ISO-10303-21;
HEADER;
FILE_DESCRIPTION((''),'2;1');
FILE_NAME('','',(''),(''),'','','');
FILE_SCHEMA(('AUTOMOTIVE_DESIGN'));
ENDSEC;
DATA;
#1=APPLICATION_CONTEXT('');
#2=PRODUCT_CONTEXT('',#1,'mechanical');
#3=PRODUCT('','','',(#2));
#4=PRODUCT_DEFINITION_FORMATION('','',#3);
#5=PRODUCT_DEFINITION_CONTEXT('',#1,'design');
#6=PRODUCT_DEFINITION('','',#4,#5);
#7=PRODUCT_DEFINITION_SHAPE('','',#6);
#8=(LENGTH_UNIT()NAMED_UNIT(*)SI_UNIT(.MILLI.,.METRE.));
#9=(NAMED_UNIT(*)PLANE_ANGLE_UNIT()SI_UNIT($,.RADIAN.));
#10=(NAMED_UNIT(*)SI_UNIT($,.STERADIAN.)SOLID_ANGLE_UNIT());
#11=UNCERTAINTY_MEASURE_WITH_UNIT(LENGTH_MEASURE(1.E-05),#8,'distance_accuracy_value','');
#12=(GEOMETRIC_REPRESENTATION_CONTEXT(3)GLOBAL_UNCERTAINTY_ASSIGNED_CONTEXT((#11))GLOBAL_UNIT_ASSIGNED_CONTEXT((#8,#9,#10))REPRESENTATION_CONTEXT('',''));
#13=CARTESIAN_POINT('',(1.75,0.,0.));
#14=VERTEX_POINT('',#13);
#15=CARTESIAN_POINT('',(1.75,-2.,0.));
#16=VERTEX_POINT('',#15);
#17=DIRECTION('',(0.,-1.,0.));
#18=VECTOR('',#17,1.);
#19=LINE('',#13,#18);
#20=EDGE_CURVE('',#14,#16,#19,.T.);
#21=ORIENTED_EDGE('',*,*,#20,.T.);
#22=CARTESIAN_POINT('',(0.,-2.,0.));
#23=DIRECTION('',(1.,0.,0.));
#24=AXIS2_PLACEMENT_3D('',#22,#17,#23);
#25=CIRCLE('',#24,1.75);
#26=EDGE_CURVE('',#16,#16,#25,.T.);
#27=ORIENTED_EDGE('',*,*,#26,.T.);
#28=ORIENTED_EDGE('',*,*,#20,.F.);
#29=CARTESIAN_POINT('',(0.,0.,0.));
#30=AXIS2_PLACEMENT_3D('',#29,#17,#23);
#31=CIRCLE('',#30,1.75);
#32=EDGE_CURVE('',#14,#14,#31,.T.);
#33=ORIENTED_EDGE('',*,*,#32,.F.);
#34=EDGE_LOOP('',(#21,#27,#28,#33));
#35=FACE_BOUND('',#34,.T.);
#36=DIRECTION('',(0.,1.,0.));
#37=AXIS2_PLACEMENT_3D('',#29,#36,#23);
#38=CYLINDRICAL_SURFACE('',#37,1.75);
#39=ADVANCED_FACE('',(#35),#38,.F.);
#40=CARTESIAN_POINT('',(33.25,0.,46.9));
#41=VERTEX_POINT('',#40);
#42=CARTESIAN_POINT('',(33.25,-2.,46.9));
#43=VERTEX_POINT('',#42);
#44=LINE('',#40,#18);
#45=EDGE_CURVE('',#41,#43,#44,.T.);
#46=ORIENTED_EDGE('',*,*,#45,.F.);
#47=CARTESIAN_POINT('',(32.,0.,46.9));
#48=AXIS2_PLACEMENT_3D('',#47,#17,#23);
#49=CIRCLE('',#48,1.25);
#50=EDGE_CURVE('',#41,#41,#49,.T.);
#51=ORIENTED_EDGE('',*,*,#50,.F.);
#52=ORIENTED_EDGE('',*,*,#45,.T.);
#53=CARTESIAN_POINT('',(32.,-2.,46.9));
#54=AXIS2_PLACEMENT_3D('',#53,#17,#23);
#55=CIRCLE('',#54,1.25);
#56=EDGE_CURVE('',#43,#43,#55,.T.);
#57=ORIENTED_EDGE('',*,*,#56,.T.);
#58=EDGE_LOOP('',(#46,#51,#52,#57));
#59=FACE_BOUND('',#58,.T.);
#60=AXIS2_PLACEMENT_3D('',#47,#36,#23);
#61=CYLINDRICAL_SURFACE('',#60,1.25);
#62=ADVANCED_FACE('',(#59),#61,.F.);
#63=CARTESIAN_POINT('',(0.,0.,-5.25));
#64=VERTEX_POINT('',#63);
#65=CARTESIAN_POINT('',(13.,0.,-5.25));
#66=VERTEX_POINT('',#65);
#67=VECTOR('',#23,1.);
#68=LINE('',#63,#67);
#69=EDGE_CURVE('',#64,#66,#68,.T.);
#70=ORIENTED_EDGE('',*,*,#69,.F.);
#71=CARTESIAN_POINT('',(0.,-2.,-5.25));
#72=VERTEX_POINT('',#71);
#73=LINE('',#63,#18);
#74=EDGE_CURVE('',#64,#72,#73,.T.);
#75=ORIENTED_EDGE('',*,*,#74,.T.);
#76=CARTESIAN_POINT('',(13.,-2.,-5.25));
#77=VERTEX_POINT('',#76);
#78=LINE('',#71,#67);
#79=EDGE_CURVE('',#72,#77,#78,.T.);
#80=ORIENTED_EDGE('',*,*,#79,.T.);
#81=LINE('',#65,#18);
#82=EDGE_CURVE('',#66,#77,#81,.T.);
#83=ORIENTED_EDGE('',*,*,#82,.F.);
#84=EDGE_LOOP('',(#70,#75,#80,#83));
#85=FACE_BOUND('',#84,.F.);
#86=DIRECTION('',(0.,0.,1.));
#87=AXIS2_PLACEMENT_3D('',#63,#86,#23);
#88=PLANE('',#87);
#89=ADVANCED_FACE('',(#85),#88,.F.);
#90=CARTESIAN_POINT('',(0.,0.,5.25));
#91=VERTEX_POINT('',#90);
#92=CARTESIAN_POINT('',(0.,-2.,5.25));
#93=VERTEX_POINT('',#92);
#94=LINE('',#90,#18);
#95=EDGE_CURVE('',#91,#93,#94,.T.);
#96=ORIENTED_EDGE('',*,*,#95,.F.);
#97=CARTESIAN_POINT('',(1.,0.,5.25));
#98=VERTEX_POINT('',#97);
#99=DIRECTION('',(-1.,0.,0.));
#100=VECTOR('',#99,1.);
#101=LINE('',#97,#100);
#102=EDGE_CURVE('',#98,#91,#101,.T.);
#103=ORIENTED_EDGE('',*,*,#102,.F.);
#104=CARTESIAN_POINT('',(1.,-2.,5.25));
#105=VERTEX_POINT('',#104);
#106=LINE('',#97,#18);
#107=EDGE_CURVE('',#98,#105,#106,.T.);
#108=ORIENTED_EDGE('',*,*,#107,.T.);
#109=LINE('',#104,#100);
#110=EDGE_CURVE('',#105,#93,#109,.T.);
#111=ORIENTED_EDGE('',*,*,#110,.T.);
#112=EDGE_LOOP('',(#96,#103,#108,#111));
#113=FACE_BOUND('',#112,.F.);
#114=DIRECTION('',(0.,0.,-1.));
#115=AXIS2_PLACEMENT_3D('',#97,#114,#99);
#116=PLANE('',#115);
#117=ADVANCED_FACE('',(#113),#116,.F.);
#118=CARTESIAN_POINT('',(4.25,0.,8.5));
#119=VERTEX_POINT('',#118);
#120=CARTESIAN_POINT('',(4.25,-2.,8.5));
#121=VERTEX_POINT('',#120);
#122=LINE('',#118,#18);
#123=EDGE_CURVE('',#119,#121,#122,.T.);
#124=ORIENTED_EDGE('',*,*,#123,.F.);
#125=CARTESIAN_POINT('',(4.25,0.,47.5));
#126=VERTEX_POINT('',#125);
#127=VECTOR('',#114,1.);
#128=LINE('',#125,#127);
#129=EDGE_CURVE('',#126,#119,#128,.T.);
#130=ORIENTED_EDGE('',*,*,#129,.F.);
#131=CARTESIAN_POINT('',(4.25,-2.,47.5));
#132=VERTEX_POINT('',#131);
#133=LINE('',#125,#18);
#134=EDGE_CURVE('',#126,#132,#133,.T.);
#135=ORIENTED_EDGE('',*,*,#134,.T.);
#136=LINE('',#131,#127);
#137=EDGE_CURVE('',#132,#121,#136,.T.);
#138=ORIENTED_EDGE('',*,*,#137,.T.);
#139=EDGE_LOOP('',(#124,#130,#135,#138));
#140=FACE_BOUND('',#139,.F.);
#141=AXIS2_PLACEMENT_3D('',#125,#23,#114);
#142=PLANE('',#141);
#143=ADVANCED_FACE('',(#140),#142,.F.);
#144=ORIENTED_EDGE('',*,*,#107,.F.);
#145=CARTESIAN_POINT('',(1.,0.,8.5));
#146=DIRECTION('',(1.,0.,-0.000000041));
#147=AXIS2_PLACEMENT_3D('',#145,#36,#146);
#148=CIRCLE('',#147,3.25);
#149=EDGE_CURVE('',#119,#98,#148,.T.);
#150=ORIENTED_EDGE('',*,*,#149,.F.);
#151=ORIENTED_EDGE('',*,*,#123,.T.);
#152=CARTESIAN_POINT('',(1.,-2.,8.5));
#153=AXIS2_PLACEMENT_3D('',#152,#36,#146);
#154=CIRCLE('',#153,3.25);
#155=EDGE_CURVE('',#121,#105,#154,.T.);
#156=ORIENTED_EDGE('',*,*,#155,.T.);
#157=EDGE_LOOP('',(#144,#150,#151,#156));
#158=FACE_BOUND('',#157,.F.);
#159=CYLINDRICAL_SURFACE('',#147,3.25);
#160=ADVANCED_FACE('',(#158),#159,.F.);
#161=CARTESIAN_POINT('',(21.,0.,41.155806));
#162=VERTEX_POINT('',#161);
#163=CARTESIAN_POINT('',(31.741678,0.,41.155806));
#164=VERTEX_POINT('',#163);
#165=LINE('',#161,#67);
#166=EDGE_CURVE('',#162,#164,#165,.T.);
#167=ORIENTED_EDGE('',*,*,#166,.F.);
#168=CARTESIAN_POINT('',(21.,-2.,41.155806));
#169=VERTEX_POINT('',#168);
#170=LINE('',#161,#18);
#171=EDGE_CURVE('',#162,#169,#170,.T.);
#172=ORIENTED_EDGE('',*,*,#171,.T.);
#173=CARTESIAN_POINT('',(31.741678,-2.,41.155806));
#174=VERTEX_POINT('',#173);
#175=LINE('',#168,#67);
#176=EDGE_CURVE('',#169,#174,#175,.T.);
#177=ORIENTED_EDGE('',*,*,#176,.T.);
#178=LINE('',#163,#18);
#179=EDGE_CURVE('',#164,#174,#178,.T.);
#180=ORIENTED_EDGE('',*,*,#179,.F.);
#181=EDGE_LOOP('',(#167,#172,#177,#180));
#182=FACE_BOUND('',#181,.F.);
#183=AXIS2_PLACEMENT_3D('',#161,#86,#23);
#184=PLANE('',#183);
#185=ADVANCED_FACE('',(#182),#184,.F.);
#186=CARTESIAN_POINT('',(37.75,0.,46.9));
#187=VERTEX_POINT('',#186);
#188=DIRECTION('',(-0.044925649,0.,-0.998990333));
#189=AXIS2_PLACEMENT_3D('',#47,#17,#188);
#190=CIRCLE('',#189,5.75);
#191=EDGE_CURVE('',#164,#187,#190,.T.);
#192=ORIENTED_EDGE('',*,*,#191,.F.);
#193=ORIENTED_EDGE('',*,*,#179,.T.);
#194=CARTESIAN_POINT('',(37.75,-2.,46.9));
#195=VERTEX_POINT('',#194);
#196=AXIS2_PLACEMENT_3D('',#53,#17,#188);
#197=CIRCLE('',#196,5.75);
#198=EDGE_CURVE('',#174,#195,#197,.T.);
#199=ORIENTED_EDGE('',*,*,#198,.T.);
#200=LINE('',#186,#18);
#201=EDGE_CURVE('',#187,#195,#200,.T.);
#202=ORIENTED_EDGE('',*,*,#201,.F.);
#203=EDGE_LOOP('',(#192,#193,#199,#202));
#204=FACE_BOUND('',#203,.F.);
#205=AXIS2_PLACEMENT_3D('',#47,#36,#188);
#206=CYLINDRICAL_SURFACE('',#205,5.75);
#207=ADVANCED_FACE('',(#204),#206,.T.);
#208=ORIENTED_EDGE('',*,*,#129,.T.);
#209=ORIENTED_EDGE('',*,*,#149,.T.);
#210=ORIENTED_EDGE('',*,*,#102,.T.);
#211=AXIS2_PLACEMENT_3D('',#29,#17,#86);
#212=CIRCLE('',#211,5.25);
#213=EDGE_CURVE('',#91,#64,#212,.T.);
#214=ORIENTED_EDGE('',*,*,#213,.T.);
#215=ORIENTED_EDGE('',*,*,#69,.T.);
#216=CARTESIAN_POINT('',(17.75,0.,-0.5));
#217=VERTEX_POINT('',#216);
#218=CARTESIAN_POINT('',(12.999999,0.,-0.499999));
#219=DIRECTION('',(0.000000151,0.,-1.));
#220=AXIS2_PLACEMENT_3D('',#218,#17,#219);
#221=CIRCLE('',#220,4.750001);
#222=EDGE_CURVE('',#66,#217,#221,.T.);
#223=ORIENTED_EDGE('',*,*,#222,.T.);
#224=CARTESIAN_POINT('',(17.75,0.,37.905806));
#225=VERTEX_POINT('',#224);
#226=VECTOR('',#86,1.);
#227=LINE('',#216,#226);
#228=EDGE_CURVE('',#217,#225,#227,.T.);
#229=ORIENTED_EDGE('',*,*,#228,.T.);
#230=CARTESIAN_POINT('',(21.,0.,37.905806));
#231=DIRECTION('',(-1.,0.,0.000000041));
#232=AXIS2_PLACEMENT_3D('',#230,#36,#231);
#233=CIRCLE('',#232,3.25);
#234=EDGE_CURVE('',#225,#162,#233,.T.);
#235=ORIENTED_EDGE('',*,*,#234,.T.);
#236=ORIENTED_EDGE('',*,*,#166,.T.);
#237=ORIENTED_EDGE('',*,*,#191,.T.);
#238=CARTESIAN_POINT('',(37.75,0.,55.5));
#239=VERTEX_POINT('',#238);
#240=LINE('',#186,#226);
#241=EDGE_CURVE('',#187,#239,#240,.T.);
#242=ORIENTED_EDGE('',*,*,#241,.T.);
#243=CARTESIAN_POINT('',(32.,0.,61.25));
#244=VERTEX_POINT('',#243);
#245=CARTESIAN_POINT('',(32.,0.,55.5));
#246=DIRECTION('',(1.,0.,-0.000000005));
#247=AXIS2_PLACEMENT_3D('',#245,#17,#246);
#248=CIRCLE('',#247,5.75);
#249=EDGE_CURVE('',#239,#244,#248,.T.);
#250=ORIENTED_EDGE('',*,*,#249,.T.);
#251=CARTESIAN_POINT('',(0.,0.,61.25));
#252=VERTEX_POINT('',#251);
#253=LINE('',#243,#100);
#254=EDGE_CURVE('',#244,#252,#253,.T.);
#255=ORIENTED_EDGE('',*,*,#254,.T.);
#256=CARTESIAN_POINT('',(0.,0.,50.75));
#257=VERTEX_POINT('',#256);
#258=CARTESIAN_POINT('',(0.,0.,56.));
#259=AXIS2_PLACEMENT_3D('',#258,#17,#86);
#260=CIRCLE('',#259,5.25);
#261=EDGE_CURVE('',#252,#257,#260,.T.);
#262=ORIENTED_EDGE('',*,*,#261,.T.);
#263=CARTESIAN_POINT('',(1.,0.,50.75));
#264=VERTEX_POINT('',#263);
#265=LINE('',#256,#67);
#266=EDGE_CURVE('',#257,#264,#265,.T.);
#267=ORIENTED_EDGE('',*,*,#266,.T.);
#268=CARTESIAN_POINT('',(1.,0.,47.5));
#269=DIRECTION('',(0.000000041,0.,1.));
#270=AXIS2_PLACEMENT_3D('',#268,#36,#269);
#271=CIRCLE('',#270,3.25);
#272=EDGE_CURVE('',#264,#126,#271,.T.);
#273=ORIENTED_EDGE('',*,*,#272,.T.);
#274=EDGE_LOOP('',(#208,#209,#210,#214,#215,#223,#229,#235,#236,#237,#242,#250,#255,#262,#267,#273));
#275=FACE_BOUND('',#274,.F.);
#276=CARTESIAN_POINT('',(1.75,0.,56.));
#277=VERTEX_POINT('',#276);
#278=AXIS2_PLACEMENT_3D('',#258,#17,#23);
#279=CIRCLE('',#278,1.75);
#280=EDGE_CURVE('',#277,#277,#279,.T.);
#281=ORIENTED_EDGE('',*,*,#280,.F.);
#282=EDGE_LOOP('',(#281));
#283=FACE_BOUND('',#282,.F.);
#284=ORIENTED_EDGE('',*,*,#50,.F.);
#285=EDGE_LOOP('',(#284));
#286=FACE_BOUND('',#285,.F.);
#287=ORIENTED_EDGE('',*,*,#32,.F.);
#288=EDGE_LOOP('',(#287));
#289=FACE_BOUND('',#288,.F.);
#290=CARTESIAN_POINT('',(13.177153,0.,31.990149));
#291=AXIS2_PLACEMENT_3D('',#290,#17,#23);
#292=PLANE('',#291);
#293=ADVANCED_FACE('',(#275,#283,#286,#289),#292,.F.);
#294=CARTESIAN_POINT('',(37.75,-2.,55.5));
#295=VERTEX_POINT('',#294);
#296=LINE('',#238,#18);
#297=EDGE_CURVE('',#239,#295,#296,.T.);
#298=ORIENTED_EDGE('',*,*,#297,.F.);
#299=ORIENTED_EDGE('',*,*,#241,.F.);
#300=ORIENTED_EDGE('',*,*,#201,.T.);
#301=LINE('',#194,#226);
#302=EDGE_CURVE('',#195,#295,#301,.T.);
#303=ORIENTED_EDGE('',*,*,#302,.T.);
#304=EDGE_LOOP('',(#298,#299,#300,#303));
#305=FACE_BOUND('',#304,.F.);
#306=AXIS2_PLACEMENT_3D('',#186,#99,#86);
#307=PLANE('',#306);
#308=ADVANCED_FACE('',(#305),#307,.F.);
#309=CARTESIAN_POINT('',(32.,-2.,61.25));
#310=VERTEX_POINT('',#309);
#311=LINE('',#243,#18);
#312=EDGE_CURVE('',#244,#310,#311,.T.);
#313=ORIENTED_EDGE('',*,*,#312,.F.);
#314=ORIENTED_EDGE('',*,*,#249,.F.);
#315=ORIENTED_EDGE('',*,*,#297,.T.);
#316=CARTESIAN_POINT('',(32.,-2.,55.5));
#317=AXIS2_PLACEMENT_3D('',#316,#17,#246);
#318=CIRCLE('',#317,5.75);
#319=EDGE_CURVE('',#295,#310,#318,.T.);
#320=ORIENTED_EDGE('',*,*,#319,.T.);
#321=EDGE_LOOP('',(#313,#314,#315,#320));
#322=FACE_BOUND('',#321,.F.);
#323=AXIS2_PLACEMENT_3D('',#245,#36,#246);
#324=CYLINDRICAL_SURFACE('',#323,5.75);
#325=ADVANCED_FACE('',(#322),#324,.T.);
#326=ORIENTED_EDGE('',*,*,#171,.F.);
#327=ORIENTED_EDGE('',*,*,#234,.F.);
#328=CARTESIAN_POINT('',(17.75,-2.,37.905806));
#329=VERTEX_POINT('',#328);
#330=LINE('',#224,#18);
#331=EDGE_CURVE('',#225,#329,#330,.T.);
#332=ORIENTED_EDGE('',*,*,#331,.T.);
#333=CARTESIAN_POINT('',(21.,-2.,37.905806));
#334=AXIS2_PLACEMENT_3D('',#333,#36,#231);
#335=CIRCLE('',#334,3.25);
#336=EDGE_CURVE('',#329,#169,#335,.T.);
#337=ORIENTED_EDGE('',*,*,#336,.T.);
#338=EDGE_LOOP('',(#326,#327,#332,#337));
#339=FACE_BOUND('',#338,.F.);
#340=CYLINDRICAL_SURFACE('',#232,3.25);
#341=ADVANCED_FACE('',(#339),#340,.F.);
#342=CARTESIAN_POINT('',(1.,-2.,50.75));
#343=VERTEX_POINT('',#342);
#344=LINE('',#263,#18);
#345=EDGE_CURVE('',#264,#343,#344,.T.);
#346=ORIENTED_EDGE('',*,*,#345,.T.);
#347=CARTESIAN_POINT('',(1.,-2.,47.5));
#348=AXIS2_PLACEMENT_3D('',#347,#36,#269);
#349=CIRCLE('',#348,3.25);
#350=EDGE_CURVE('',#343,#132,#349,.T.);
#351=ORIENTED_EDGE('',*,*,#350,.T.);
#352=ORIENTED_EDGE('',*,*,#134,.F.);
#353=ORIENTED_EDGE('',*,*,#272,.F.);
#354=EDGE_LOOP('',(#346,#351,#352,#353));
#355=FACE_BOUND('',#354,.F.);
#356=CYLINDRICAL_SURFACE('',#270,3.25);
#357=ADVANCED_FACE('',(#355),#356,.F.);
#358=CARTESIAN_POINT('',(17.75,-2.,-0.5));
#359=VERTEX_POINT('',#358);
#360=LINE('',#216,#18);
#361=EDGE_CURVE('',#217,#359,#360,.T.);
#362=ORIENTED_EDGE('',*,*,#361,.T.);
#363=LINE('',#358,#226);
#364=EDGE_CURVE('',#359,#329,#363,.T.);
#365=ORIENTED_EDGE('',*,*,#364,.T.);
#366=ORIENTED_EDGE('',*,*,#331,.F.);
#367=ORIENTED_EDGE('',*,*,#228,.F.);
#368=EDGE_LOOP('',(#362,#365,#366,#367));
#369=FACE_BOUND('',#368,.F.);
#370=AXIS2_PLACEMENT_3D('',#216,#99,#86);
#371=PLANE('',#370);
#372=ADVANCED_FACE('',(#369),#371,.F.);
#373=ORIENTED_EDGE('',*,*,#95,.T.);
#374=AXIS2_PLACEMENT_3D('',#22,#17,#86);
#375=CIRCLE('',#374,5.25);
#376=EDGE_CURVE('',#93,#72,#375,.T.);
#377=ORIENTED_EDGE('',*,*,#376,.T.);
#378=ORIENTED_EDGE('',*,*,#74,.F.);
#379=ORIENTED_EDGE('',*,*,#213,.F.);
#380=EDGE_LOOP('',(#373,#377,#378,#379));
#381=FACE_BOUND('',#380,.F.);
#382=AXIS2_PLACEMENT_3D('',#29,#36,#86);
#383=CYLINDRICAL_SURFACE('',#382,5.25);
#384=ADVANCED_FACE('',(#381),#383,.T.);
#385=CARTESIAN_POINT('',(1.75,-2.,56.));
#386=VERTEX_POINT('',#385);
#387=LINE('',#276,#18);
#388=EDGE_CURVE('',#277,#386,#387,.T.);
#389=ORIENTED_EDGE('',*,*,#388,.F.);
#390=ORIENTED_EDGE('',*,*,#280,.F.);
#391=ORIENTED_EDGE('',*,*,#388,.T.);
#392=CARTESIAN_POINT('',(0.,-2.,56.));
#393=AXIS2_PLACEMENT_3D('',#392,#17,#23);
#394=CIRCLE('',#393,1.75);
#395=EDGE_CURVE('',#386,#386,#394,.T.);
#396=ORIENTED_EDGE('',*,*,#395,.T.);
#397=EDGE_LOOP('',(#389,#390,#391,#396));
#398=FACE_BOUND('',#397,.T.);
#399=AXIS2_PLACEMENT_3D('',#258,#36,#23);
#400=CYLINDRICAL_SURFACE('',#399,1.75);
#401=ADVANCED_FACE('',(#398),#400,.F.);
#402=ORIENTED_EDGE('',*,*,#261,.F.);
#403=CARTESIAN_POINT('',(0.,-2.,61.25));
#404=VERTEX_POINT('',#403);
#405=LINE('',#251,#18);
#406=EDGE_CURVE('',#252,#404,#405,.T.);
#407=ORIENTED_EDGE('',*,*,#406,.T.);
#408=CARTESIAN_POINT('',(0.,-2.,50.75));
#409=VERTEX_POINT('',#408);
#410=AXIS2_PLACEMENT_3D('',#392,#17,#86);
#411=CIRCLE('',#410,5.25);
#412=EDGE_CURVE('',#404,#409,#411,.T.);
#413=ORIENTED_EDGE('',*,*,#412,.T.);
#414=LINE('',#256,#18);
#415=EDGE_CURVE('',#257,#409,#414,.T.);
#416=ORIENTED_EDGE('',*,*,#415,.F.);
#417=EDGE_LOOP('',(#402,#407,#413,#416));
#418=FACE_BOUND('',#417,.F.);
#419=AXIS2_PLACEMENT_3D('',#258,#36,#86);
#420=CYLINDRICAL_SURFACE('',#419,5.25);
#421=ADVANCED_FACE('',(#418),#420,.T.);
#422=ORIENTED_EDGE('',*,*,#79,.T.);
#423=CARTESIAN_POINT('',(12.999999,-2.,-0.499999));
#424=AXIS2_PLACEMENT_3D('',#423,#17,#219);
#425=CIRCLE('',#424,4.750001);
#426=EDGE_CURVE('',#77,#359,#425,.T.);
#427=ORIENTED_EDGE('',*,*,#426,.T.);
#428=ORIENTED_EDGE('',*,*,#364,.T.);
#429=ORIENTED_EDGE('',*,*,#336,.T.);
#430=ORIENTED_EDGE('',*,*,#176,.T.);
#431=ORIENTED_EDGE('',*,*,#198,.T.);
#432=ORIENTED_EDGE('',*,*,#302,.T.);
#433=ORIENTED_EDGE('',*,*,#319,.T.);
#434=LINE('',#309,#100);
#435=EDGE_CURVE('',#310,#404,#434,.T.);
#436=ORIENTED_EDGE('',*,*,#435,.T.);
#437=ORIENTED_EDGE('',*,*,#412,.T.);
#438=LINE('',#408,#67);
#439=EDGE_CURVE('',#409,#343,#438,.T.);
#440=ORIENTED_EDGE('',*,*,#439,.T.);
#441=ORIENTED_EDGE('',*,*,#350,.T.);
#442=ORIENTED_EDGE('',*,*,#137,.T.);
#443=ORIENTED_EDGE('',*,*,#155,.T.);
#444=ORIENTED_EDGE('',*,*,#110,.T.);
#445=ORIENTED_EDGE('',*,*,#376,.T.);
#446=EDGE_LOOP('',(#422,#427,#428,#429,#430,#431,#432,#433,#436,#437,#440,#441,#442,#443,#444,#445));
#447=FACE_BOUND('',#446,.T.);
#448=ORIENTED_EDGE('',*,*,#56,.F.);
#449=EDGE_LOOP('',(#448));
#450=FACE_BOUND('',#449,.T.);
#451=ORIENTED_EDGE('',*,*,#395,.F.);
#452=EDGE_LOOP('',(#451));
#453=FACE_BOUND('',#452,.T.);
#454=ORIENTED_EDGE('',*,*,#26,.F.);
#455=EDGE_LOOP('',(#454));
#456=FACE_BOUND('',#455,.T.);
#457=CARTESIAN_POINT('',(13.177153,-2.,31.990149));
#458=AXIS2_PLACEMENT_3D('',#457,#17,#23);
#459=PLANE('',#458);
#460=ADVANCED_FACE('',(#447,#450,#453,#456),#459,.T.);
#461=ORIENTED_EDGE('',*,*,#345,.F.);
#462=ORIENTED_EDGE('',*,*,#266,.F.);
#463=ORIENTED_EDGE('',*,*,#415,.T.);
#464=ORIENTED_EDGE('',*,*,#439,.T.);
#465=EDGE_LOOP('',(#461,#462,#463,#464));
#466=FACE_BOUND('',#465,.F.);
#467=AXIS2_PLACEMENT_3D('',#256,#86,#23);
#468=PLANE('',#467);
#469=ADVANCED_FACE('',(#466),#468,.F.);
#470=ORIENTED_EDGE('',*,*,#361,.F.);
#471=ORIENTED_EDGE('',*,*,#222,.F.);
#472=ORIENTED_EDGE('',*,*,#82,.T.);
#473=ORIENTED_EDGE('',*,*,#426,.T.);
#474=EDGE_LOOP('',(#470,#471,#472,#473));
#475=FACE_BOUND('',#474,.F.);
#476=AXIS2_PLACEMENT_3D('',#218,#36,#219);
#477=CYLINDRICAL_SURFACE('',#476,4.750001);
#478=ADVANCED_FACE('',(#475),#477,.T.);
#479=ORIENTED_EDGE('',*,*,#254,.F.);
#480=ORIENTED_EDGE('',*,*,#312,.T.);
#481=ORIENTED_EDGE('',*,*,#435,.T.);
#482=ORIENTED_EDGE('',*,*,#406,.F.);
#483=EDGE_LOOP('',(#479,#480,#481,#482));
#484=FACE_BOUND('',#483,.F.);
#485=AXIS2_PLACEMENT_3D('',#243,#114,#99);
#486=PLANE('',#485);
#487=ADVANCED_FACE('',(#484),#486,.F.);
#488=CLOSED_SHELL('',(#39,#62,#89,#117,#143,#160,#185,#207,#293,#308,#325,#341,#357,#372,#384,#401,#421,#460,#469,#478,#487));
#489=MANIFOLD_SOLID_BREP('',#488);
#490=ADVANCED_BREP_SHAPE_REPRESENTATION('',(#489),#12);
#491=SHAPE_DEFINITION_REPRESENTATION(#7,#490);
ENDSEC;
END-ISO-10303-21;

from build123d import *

# Parameters (mm, degrees)
F0_R     = 1.75
F0_R_2   = 1.25
F1_DEPTH = 2


with BuildPart() as f1:
    # F0 (on Front) → F1 (new body)
    with BuildSketch(Plane.XZ):
        with BuildLine():
            Line((32, 61.25), (0, 61.25))
            ThreePointArc((0, 61.25), (-5.25, 56), (0, 50.75))
            Line((0, 50.75), (1, 50.75))
            ThreePointArc((1, 50.75), (3.298097, 49.798097), (4.25, 47.5))
            Line((4.25, 47.5), (4.25, 8.5))
            ThreePointArc((4.25, 8.5), (3.298097, 6.201903), (1, 5.25))
            Line((1, 5.25), (0, 5.25))
            ThreePointArc((0, 5.25), (-5.25, 0), (0, -5.25))
            Line((0, -5.25), (13, -5.25))
            ThreePointArc((13, -5.25), (16.358757, -3.858757), (17.75, -0.5))
            Line((17.75, -0.5), (17.75, 37.905806))
            ThreePointArc((17.75, 37.905806), (18.701903, 40.203903), (21, 41.155806))
            Line((21, 41.155806), (31.741678, 41.155806))
            ThreePointArc((31.741678, 41.155806), (35.973484, 42.743809), (37.75, 46.9))
            Line((37.75, 46.9), (37.75, 55.5))
            ThreePointArc((37.75, 55.5), (36.065864, 59.565864), (32, 61.25))
        make_face()
        Circle(F0_R, mode=Mode.SUBTRACT)
        with Locations((0, 56)):
            Circle(F0_R, mode=Mode.SUBTRACT)
        with Locations((32, 46.9)):
            Circle(F0_R_2, mode=Mode.SUBTRACT)
    extrude(amount=F1_DEPTH)


solid = f1.part
